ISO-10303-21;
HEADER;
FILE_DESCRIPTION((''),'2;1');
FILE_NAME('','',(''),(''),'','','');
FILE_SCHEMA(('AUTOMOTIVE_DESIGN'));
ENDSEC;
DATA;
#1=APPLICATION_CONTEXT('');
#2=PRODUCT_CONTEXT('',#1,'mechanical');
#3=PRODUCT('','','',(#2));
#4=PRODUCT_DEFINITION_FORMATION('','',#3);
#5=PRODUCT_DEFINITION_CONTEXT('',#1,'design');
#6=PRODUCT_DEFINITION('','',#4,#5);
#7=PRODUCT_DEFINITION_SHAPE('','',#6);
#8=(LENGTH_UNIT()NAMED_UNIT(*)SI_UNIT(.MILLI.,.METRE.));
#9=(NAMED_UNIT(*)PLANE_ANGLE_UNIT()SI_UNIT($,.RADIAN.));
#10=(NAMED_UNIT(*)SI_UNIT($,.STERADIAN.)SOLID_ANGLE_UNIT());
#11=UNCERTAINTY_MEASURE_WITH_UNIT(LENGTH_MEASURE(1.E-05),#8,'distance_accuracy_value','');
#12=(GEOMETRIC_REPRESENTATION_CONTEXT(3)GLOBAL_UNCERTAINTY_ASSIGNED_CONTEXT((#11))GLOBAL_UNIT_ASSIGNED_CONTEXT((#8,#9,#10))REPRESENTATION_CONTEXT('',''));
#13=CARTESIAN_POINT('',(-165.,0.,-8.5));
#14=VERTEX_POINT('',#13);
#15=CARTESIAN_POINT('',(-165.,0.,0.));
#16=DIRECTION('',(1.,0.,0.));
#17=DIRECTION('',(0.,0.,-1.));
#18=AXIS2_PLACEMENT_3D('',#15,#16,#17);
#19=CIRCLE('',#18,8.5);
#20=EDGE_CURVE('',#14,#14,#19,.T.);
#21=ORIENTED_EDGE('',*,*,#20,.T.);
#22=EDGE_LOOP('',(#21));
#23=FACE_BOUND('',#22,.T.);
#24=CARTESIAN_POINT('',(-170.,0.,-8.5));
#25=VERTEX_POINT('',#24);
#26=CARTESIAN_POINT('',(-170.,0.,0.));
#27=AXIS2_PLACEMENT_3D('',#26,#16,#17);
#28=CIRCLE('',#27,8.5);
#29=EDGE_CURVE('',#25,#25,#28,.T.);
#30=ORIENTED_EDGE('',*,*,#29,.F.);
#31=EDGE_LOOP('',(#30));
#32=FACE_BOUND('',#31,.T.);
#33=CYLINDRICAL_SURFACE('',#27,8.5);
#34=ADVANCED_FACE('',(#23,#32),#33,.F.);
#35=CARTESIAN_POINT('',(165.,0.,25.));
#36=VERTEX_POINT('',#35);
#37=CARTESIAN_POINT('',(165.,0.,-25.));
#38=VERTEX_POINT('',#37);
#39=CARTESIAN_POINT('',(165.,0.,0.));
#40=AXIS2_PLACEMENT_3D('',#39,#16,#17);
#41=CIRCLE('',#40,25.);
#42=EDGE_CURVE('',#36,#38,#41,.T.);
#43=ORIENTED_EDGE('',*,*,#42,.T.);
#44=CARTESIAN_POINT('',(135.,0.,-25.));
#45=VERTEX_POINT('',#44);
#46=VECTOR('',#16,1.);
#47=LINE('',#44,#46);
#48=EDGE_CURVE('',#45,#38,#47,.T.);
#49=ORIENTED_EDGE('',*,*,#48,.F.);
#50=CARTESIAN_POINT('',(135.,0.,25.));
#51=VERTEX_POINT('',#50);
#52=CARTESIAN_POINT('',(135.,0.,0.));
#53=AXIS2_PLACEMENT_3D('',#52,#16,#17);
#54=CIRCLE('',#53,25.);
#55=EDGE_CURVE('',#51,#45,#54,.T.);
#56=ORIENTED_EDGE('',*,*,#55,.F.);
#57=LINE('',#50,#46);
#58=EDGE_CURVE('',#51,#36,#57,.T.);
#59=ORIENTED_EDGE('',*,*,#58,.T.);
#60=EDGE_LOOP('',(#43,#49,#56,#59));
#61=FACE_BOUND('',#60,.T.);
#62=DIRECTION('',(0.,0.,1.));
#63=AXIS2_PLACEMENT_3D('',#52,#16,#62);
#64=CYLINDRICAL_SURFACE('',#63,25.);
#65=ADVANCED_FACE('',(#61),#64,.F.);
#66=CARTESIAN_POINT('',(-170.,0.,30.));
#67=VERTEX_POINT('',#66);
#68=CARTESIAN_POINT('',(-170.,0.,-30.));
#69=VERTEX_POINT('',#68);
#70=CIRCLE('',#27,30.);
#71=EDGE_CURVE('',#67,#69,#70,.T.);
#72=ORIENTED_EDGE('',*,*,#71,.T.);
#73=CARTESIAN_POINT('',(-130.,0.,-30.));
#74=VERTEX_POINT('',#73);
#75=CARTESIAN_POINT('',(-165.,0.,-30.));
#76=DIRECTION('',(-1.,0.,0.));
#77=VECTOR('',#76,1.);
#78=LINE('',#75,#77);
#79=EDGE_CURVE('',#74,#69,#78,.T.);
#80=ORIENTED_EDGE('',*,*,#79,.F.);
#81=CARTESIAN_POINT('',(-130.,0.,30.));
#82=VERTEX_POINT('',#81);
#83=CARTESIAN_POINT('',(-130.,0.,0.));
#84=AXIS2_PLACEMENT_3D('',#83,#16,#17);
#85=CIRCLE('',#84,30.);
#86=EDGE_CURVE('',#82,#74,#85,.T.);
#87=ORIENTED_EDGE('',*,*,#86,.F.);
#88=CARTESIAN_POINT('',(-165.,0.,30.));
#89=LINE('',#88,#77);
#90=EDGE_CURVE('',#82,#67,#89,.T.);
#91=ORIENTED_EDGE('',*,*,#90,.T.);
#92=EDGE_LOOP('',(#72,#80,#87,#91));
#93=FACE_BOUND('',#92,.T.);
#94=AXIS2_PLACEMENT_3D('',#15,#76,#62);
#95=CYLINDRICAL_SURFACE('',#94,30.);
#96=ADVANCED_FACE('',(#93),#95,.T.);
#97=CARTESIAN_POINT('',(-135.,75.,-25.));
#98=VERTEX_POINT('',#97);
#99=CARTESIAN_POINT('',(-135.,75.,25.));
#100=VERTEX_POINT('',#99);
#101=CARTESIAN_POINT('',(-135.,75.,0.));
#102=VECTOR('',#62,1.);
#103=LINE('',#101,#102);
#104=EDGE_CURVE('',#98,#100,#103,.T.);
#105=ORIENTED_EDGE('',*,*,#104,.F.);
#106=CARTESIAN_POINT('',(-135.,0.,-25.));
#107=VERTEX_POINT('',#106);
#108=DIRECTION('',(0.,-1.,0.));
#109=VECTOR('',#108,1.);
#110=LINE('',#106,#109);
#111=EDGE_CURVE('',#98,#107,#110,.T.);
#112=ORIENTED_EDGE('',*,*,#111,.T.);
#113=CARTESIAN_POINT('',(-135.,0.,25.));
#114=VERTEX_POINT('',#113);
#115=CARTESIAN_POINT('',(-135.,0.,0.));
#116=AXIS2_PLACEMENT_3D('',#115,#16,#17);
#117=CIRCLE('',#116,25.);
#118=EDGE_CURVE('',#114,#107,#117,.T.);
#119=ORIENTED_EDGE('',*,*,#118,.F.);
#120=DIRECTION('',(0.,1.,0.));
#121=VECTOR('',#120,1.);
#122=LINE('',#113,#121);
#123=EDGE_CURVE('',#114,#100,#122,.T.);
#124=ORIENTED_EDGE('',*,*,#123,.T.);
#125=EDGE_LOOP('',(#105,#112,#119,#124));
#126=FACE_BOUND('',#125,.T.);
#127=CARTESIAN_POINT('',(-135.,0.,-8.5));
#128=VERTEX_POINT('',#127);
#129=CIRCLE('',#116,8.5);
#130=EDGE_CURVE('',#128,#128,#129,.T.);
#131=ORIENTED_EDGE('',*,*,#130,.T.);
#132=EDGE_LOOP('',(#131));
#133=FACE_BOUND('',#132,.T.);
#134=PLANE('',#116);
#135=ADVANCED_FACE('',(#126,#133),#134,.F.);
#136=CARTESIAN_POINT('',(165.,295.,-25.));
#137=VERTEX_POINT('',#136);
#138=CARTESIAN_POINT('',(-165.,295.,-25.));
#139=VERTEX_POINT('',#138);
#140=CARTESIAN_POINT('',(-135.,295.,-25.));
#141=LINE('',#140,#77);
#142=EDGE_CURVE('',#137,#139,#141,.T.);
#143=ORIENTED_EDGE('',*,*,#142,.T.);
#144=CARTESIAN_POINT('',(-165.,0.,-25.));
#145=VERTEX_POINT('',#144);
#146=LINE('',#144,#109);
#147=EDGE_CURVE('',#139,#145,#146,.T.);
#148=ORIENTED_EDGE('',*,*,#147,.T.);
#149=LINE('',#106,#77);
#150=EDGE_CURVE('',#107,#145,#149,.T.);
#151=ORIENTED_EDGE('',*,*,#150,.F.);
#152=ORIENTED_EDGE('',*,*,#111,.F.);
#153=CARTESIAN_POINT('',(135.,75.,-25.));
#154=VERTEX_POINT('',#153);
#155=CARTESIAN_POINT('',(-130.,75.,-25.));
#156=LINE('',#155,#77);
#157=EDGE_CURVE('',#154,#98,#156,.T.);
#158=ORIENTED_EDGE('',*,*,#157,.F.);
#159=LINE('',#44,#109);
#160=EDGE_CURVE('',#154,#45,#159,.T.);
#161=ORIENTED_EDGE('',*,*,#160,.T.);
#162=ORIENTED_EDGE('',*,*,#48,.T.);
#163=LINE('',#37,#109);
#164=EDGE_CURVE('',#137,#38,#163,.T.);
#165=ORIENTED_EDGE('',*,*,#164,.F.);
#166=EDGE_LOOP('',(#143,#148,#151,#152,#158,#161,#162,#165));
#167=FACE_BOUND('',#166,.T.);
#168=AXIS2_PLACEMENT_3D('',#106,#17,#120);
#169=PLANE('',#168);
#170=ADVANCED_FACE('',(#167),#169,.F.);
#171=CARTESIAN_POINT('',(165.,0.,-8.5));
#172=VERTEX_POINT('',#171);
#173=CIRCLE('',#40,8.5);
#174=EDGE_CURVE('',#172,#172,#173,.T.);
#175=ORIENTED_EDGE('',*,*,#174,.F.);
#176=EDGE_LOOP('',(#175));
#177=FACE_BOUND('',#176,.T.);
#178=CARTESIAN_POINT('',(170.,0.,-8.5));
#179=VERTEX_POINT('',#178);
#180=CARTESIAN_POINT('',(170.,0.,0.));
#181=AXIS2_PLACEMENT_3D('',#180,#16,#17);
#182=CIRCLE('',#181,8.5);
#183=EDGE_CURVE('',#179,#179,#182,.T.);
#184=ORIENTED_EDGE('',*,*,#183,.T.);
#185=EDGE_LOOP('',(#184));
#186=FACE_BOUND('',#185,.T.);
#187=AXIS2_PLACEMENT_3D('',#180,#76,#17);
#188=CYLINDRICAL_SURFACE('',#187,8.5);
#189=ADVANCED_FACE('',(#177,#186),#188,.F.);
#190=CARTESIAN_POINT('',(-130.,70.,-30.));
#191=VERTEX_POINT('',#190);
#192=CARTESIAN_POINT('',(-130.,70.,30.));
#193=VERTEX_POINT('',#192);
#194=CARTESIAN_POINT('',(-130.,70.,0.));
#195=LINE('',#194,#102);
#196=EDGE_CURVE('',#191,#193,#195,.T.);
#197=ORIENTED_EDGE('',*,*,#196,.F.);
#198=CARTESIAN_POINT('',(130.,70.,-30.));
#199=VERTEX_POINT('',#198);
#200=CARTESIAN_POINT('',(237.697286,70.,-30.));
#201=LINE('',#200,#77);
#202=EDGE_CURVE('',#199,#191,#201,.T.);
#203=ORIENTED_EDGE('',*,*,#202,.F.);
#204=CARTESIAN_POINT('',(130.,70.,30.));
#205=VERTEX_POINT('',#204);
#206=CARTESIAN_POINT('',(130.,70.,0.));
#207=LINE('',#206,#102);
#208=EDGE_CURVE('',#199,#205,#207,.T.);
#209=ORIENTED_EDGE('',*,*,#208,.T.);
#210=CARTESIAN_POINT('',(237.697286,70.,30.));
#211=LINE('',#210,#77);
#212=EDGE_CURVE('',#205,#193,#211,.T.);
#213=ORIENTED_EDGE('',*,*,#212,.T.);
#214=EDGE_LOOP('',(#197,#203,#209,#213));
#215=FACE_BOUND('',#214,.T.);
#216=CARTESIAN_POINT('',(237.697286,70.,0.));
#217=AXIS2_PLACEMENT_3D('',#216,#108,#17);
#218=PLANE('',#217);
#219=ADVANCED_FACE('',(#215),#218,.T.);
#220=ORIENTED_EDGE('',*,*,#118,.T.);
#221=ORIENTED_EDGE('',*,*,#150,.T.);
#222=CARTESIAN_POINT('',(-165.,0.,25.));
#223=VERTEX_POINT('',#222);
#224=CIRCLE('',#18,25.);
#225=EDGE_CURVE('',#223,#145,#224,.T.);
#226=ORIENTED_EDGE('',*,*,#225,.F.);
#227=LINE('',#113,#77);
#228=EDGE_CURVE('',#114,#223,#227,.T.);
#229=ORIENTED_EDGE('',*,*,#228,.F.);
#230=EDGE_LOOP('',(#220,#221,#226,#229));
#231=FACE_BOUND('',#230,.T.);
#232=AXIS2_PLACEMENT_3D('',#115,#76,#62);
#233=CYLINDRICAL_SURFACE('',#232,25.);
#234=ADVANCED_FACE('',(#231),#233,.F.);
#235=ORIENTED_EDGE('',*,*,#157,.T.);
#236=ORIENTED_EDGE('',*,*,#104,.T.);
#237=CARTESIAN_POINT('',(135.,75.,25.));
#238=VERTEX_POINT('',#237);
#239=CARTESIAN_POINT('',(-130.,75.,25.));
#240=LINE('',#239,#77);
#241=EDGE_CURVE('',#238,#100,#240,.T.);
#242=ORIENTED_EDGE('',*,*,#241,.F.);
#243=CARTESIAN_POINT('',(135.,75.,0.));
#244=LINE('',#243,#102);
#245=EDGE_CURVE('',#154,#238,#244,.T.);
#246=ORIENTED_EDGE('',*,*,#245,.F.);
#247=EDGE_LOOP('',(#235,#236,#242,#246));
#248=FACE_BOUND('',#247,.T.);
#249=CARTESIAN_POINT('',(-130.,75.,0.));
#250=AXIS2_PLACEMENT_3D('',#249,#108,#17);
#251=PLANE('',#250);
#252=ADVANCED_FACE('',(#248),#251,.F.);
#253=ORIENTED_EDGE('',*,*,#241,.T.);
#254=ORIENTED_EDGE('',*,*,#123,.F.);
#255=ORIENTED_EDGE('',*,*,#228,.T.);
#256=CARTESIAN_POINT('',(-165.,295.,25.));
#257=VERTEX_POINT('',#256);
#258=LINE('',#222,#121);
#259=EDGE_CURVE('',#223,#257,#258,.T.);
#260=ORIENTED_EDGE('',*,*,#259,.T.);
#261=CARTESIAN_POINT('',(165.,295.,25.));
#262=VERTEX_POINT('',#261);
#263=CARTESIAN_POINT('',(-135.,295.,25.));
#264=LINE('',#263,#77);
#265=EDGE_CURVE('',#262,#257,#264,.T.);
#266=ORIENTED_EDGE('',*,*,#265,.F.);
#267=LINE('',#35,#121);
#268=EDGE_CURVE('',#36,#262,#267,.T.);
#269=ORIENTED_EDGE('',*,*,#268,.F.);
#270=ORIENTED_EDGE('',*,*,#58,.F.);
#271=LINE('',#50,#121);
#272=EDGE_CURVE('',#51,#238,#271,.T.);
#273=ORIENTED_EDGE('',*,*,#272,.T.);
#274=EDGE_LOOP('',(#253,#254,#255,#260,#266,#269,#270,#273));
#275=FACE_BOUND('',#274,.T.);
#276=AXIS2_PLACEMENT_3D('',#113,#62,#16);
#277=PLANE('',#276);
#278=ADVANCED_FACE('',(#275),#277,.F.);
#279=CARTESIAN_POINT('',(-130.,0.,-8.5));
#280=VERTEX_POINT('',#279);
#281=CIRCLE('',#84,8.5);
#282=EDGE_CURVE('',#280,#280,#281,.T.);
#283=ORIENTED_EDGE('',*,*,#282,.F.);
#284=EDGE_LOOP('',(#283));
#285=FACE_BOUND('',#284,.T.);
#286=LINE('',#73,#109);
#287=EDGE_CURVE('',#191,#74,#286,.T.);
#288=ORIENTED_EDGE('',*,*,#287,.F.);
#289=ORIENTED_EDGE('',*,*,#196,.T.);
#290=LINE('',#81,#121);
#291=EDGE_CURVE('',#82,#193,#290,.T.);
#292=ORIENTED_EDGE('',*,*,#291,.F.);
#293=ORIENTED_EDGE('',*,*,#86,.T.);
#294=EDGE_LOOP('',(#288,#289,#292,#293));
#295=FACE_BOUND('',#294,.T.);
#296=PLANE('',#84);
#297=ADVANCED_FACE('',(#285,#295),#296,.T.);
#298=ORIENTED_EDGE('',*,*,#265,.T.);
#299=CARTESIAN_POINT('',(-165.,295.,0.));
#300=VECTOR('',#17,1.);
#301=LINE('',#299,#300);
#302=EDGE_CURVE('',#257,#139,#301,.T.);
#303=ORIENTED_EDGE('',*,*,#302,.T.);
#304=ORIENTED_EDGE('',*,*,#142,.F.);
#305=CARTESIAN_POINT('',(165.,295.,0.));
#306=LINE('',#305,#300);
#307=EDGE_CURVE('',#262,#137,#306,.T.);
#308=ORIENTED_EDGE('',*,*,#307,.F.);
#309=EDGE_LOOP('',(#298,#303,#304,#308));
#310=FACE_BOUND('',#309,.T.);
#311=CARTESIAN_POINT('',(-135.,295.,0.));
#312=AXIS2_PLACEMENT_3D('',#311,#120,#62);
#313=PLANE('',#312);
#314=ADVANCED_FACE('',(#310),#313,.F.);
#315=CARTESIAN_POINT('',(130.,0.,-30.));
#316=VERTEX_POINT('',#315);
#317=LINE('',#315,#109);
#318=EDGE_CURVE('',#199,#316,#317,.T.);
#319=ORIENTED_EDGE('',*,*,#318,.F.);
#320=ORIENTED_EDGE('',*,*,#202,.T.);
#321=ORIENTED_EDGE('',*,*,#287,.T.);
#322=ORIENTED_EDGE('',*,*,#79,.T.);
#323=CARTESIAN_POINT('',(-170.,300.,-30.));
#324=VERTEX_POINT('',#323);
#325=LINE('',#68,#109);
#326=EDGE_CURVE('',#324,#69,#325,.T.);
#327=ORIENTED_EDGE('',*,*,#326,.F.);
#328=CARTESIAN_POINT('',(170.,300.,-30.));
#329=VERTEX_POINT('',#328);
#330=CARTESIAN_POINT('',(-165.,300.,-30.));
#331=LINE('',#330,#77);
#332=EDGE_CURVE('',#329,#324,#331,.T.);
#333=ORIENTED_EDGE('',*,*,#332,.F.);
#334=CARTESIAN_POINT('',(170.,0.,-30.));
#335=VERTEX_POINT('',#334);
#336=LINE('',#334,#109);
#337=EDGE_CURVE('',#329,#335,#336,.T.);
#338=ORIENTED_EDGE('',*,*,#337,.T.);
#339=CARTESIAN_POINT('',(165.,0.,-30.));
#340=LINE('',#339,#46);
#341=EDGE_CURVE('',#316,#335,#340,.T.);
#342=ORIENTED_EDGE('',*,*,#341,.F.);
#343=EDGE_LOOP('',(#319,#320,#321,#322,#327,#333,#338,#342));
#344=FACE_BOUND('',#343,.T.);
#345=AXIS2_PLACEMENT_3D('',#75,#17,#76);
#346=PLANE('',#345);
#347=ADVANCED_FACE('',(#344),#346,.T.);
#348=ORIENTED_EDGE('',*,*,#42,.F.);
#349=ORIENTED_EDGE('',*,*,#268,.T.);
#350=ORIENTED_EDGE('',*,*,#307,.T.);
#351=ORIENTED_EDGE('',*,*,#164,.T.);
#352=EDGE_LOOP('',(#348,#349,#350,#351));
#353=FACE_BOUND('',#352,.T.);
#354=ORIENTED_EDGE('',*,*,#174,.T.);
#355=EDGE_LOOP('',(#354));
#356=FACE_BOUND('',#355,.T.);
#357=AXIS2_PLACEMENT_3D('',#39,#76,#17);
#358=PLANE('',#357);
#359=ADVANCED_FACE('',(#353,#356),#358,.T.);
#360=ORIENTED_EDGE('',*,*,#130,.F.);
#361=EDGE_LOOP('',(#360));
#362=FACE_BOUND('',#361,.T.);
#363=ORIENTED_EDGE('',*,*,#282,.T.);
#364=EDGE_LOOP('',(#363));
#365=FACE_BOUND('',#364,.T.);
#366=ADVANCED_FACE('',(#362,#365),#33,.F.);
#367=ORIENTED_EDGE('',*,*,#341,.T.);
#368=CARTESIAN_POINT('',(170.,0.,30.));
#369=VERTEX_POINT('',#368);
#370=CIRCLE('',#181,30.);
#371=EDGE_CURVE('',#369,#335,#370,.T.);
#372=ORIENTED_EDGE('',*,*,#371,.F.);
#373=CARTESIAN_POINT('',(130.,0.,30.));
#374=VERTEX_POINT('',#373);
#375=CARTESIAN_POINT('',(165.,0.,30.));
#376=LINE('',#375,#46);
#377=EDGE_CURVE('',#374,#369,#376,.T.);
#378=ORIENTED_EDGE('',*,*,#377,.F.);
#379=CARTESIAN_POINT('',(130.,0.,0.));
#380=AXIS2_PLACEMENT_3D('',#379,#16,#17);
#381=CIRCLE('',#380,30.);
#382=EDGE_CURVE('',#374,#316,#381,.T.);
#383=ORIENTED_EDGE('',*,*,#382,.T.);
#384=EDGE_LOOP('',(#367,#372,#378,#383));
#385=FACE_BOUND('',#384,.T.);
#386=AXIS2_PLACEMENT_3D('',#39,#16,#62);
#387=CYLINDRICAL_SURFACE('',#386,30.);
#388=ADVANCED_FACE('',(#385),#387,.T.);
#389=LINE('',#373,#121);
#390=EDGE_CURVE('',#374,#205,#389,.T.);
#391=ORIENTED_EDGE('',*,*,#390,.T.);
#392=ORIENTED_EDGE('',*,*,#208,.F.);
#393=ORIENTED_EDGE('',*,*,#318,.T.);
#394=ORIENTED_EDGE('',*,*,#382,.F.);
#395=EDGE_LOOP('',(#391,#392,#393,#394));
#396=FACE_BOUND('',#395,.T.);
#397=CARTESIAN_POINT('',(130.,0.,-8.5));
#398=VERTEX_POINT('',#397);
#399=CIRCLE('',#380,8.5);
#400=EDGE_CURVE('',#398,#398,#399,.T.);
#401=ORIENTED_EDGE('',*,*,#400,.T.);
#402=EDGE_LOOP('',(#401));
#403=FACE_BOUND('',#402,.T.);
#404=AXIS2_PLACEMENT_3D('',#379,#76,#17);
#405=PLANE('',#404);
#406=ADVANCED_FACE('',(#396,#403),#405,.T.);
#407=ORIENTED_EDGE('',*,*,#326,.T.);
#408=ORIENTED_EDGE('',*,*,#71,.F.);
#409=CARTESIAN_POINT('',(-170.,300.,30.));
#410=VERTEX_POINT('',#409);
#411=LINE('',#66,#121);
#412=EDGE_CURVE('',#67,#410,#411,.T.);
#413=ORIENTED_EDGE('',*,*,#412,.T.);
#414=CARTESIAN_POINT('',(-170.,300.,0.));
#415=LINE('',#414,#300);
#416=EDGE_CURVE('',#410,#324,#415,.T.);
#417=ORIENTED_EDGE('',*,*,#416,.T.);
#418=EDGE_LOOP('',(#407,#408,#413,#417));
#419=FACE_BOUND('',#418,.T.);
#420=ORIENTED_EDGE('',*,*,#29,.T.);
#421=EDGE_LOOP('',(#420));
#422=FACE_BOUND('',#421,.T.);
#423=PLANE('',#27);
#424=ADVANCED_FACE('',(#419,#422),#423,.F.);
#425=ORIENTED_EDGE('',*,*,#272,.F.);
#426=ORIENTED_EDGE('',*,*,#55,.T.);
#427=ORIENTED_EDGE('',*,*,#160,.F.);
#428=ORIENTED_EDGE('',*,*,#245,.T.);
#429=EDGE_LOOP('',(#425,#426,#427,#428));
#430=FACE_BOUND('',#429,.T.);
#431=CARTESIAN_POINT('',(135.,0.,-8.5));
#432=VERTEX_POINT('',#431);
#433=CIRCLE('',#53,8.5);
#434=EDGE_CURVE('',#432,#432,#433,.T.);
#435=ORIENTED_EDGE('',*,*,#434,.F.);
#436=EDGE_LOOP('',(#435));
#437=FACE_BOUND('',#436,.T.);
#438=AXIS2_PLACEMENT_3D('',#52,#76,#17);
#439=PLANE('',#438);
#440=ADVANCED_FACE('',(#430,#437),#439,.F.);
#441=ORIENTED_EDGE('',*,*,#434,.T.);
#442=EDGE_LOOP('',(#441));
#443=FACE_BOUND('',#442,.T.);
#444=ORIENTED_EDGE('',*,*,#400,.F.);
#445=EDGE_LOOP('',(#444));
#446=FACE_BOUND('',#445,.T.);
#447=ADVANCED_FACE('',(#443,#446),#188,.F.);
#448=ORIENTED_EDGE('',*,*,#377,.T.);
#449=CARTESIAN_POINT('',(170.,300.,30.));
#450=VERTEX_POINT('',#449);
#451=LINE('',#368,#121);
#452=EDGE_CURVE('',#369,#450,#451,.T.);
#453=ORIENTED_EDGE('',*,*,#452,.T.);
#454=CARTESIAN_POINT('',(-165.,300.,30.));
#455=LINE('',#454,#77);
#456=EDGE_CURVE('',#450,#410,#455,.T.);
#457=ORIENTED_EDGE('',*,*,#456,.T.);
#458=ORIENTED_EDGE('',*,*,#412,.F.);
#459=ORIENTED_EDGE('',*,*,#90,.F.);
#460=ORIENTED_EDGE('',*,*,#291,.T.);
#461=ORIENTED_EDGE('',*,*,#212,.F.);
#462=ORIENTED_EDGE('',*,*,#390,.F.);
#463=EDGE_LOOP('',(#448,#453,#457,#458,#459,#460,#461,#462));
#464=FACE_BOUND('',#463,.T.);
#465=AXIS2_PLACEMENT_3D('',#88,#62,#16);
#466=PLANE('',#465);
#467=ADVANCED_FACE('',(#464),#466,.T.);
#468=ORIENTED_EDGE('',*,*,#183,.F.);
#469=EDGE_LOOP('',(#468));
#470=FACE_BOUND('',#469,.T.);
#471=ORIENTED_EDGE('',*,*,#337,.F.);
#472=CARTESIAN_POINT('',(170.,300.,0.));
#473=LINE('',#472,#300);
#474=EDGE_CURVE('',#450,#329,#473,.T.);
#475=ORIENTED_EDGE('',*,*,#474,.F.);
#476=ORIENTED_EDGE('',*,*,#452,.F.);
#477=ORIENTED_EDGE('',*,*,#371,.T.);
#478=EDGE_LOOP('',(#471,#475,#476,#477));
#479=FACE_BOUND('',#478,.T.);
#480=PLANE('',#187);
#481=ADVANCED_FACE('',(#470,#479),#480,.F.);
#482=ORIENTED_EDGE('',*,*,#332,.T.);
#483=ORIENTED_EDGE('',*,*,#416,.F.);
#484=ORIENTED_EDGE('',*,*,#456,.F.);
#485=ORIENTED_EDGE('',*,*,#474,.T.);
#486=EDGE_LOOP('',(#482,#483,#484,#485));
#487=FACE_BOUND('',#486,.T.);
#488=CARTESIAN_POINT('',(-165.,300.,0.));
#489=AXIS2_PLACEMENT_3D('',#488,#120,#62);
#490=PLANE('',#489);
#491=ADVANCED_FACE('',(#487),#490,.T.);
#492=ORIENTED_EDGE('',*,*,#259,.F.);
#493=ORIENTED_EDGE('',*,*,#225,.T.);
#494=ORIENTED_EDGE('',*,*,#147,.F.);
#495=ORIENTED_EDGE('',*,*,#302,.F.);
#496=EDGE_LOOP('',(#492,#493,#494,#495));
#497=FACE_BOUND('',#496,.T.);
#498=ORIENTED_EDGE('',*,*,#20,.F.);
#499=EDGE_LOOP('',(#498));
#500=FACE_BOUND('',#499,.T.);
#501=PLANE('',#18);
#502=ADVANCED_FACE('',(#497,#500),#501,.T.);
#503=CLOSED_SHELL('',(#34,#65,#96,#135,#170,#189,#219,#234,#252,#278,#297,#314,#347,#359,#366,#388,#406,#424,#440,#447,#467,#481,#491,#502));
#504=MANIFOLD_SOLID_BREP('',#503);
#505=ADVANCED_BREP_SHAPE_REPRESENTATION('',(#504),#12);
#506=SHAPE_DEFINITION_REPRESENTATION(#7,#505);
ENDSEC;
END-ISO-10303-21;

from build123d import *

# Parameters (mm, degrees)
BOSS_EXTRUDE1_START = -170
BOSS_EXTRUDE1_DEPTH = 5
BOSS_EXTRUDE2_START = -165
SKETCH3_4_W         = 5
SKETCH3_4_H         = 5
BOSS_EXTRUDE2_DEPTH = 30
BOSS_EXTRUDE3_START = -135
SKETCH3_5_W         = 50
SKETCH3_5_H         = 220
BOSS_EXTRUDE3_DEPTH = 5
BOSS_EXTRUDE4_START = -130
SKETCH3_6_W         = 5
SKETCH3_6_H         = 5
SKETCH3_6_W_2       = 50
BOSS_EXTRUDE4_DEPTH = 130
SKETCH6_R           = 8.5
CUT_EXTRUDE1_DEPTH  = 347.121365998


with BuildPart() as part:
    # Sketch3 → Boss-Extrude1 (new body)
    with BuildSketch(Plane(origin=(0, 0, 0), x_dir=(0, 0, -1), z_dir=(1, 0, 0)).offset(BOSS_EXTRUDE1_START)):
        with BuildLine():
            Line((-30, 0), (-30, 300))
            Line((-30, 300), (30, 300))
            Line((30, 300), (30, 0))
            ThreePointArc((30, 0), (0, -30), (-30, 0))
        make_face()
    extrude(amount=BOSS_EXTRUDE1_DEPTH)

    # Sketch3<4> → Boss-Extrude2 (add)
    with BuildSketch(Plane(origin=(0, 0, 0), x_dir=(0, 0, -1), z_dir=(1, 0, 0)).offset(BOSS_EXTRUDE2_START)):
        Polygon((-30, 75), (-25, 75), (-25, 295), (25, 295), (25, 75), (30, 75), (30, 300), (-30, 300), align=None)
        with Locations((-27.5, 72.5)):
            Rectangle(SKETCH3_4_W, SKETCH3_4_H)
        with BuildLine():
            Line((0, -30), (0, -25))
            ThreePointArc((0, -25), (-17.67766953, -17.67766953), (-25, 0))
            Line((-25, 0), (-25, 70))
            Line((-25, 70), (-30, 70))
            Line((-30, 70), (-30, 0))
            ThreePointArc((-30, 0), (-21.213203436, -21.213203436), (0, -30))
        make_face()
        with Locations((27.5, 72.5)):
            Rectangle(SKETCH3_4_W, SKETCH3_4_H)
        with BuildLine():
            ThreePointArc((25, 0), (17.67766953, -17.67766953), (0, -25))
            Line((0, -25), (0, -30))
            ThreePointArc((0, -30), (21.213203436, -21.213203436), (30, 0))
            Line((30, 0), (30, 70))
            Line((30, 70), (25, 70))
            Line((25, 70), (25, 0))
        make_face()
    extrude(amount=BOSS_EXTRUDE2_DEPTH)

    # Sketch3<5> → Boss-Extrude3 (add)
    with BuildSketch(Plane(origin=(0, 0, 0), x_dir=(0, 0, -1), z_dir=(1, 0, 0)).offset(BOSS_EXTRUDE3_START)):
        with BuildLine():
            ThreePointArc((-30, 0), (0, -30), (30, 0))
            Line((30, 0), (30, 300))
            Line((30, 300), (-30, 300))
            Line((-30, 300), (-30, 0))
        make_face()
        with Locations((0, 185)):
            Rectangle(SKETCH3_5_W, SKETCH3_5_H, mode=Mode.SUBTRACT)
    extrude(amount=BOSS_EXTRUDE3_DEPTH)

    # Sketch3<6> → Boss-Extrude4 (add)
    with BuildSketch(Plane(origin=(0, 0, 0), x_dir=(0, 0, -1), z_dir=(1, 0, 0)).offset(BOSS_EXTRUDE4_START)):
        Polygon((-30, 300), (-30, 75), (-25, 75), (-25, 295), (25, 295), (25, 75), (30, 75), (30, 300), align=None)
        with Locations((-27.5, 72.5)):
            Rectangle(SKETCH3_6_W, SKETCH3_6_H)
        with Locations((0, 72.5)):
            Rectangle(SKETCH3_6_W_2, SKETCH3_6_H)
        with Locations((27.5, 72.5)):
            Rectangle(SKETCH3_6_W, SKETCH3_6_H)
    extrude(amount=BOSS_EXTRUDE4_DEPTH)

    # Sketch6 → Cut-Extrude1 (cut, through all)
    with BuildSketch(Plane(origin=(0, 0, 0), x_dir=(0, 0, -1), z_dir=(1, 0, 0))):
        Circle(SKETCH6_R)
    extrude(amount=-CUT_EXTRUDE1_DEPTH, mode=Mode.SUBTRACT)

    # Mirror5: part across plane


with BuildPart() as part_1:
    add(part.part)
    add(part.part.mirror(Plane(origin=(0, 0, 0), x_dir=(0, 0, 1), z_dir=(1, 0, 0))))


solid = part_1.part
